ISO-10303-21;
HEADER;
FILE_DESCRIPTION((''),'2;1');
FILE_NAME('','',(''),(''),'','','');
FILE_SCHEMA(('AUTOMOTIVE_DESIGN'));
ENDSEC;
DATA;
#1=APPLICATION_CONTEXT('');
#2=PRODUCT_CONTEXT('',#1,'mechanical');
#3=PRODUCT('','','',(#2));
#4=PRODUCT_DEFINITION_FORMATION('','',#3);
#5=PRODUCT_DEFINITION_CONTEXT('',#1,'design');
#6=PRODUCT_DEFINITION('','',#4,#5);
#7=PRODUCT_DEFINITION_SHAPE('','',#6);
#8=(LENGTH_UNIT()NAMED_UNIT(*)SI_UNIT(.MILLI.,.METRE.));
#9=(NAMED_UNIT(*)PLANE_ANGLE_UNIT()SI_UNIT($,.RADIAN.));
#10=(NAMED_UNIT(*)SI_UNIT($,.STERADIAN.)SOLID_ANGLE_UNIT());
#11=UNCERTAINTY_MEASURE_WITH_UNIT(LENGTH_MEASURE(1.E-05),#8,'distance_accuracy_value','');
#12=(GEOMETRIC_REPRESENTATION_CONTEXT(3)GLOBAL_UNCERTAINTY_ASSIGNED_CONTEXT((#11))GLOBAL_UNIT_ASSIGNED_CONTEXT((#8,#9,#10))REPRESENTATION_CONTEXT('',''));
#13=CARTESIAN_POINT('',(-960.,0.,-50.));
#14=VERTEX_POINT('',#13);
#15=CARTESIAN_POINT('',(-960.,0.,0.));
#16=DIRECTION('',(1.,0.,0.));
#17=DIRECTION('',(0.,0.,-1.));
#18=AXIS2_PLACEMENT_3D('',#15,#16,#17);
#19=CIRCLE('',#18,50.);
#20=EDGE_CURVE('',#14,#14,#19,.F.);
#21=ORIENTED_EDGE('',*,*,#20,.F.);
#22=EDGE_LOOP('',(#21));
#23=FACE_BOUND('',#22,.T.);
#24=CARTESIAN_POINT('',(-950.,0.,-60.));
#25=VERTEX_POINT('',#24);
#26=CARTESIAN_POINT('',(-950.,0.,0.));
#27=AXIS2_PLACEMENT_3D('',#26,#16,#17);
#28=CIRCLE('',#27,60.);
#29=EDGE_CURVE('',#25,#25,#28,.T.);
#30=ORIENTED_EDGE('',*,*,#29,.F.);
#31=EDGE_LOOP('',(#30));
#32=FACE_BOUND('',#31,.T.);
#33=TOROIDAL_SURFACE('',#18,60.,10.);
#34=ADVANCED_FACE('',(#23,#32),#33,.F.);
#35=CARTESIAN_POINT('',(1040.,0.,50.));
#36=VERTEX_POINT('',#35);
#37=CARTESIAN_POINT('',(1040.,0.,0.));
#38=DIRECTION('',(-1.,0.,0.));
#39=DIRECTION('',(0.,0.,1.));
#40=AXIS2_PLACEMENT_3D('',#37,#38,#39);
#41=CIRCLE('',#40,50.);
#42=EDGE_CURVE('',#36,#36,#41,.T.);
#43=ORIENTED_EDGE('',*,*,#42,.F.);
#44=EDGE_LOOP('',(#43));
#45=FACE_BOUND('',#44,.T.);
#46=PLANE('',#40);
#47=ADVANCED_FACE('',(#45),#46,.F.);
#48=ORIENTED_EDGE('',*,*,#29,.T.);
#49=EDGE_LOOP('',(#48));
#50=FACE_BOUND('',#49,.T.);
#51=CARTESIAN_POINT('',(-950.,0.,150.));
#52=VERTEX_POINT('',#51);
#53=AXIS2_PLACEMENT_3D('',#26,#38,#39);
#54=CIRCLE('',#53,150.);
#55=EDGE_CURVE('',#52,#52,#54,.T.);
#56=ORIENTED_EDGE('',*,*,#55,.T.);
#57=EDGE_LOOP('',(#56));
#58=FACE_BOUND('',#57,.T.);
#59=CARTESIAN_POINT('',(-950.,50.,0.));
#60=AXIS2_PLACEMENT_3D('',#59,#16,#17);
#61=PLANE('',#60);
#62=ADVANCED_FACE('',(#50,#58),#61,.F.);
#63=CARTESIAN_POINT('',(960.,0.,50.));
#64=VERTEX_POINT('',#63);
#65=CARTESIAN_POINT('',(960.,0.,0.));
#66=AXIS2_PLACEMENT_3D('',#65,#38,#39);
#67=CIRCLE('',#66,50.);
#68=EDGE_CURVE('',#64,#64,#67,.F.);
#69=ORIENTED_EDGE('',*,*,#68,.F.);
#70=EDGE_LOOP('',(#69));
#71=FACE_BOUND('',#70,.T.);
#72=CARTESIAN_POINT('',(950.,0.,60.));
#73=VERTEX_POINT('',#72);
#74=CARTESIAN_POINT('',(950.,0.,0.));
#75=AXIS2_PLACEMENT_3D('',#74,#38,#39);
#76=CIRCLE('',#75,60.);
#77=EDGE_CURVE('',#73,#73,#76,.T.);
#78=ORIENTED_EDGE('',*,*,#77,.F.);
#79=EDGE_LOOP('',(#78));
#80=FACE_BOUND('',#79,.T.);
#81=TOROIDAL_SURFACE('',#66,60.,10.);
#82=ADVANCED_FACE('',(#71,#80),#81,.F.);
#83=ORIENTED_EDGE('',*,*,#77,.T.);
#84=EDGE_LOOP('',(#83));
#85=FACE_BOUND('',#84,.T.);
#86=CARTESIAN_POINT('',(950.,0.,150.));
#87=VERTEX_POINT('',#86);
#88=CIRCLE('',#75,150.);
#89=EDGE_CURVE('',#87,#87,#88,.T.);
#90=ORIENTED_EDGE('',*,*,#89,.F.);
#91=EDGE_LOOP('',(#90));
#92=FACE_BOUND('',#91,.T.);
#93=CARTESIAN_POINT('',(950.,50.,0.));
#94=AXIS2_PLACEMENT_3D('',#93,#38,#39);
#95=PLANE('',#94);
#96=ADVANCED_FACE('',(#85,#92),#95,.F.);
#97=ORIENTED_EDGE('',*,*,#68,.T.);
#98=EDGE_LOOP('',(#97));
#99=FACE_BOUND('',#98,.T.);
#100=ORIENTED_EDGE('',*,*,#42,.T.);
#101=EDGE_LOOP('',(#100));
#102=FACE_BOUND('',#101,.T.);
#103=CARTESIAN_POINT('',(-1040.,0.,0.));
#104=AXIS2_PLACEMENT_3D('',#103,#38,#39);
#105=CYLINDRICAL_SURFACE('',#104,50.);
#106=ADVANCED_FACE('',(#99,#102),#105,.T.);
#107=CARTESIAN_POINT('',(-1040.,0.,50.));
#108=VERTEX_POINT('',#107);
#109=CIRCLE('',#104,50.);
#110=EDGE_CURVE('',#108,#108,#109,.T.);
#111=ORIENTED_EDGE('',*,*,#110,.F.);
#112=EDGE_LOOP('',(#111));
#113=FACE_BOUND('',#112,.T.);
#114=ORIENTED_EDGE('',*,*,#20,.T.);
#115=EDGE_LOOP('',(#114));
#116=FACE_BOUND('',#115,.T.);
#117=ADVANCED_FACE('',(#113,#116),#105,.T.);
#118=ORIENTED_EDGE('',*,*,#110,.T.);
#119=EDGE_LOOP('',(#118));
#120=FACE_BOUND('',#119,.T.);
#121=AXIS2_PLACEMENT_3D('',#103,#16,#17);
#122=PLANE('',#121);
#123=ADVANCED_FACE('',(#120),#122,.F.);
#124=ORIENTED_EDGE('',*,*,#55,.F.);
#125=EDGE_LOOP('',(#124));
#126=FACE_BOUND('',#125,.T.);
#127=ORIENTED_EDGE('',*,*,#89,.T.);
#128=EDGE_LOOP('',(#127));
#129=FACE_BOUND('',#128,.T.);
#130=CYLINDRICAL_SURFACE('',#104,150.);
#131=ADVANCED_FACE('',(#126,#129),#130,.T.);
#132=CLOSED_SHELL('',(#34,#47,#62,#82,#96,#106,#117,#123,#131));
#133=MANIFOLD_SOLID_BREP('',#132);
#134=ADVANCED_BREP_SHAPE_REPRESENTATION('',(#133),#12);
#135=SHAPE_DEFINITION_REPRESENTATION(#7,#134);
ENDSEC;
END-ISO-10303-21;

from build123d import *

# Parameters (mm, degrees)
FILLET1_R = 10


with BuildPart() as part:
    # Sketch1 → Revolve1 (revolve)
    with BuildSketch(Plane.XY, mode=Mode.PRIVATE) as revolve1_sk:
        Polygon((-1040, 0), (1040, 0), (1040, 50), (950, 50), (950, 150), (-950, 150), (-950, 50), (-1040, 50), align=None)
    revolve(revolve1_sk.sketch.rotate(Axis((-1040, 0, 0), (1, 0, 0)), 90), axis=Axis((-1040, 0, 0), (1, 0, 0)))

    # Fillet1
    fillet1_edges = [part.edges().sort_by_distance(p)[0] for p in [
        (-950, 0, -50),
        (950, 0, -50),
    ]]
    fillet(fillet1_edges, radius=FILLET1_R)


solid = part.part
